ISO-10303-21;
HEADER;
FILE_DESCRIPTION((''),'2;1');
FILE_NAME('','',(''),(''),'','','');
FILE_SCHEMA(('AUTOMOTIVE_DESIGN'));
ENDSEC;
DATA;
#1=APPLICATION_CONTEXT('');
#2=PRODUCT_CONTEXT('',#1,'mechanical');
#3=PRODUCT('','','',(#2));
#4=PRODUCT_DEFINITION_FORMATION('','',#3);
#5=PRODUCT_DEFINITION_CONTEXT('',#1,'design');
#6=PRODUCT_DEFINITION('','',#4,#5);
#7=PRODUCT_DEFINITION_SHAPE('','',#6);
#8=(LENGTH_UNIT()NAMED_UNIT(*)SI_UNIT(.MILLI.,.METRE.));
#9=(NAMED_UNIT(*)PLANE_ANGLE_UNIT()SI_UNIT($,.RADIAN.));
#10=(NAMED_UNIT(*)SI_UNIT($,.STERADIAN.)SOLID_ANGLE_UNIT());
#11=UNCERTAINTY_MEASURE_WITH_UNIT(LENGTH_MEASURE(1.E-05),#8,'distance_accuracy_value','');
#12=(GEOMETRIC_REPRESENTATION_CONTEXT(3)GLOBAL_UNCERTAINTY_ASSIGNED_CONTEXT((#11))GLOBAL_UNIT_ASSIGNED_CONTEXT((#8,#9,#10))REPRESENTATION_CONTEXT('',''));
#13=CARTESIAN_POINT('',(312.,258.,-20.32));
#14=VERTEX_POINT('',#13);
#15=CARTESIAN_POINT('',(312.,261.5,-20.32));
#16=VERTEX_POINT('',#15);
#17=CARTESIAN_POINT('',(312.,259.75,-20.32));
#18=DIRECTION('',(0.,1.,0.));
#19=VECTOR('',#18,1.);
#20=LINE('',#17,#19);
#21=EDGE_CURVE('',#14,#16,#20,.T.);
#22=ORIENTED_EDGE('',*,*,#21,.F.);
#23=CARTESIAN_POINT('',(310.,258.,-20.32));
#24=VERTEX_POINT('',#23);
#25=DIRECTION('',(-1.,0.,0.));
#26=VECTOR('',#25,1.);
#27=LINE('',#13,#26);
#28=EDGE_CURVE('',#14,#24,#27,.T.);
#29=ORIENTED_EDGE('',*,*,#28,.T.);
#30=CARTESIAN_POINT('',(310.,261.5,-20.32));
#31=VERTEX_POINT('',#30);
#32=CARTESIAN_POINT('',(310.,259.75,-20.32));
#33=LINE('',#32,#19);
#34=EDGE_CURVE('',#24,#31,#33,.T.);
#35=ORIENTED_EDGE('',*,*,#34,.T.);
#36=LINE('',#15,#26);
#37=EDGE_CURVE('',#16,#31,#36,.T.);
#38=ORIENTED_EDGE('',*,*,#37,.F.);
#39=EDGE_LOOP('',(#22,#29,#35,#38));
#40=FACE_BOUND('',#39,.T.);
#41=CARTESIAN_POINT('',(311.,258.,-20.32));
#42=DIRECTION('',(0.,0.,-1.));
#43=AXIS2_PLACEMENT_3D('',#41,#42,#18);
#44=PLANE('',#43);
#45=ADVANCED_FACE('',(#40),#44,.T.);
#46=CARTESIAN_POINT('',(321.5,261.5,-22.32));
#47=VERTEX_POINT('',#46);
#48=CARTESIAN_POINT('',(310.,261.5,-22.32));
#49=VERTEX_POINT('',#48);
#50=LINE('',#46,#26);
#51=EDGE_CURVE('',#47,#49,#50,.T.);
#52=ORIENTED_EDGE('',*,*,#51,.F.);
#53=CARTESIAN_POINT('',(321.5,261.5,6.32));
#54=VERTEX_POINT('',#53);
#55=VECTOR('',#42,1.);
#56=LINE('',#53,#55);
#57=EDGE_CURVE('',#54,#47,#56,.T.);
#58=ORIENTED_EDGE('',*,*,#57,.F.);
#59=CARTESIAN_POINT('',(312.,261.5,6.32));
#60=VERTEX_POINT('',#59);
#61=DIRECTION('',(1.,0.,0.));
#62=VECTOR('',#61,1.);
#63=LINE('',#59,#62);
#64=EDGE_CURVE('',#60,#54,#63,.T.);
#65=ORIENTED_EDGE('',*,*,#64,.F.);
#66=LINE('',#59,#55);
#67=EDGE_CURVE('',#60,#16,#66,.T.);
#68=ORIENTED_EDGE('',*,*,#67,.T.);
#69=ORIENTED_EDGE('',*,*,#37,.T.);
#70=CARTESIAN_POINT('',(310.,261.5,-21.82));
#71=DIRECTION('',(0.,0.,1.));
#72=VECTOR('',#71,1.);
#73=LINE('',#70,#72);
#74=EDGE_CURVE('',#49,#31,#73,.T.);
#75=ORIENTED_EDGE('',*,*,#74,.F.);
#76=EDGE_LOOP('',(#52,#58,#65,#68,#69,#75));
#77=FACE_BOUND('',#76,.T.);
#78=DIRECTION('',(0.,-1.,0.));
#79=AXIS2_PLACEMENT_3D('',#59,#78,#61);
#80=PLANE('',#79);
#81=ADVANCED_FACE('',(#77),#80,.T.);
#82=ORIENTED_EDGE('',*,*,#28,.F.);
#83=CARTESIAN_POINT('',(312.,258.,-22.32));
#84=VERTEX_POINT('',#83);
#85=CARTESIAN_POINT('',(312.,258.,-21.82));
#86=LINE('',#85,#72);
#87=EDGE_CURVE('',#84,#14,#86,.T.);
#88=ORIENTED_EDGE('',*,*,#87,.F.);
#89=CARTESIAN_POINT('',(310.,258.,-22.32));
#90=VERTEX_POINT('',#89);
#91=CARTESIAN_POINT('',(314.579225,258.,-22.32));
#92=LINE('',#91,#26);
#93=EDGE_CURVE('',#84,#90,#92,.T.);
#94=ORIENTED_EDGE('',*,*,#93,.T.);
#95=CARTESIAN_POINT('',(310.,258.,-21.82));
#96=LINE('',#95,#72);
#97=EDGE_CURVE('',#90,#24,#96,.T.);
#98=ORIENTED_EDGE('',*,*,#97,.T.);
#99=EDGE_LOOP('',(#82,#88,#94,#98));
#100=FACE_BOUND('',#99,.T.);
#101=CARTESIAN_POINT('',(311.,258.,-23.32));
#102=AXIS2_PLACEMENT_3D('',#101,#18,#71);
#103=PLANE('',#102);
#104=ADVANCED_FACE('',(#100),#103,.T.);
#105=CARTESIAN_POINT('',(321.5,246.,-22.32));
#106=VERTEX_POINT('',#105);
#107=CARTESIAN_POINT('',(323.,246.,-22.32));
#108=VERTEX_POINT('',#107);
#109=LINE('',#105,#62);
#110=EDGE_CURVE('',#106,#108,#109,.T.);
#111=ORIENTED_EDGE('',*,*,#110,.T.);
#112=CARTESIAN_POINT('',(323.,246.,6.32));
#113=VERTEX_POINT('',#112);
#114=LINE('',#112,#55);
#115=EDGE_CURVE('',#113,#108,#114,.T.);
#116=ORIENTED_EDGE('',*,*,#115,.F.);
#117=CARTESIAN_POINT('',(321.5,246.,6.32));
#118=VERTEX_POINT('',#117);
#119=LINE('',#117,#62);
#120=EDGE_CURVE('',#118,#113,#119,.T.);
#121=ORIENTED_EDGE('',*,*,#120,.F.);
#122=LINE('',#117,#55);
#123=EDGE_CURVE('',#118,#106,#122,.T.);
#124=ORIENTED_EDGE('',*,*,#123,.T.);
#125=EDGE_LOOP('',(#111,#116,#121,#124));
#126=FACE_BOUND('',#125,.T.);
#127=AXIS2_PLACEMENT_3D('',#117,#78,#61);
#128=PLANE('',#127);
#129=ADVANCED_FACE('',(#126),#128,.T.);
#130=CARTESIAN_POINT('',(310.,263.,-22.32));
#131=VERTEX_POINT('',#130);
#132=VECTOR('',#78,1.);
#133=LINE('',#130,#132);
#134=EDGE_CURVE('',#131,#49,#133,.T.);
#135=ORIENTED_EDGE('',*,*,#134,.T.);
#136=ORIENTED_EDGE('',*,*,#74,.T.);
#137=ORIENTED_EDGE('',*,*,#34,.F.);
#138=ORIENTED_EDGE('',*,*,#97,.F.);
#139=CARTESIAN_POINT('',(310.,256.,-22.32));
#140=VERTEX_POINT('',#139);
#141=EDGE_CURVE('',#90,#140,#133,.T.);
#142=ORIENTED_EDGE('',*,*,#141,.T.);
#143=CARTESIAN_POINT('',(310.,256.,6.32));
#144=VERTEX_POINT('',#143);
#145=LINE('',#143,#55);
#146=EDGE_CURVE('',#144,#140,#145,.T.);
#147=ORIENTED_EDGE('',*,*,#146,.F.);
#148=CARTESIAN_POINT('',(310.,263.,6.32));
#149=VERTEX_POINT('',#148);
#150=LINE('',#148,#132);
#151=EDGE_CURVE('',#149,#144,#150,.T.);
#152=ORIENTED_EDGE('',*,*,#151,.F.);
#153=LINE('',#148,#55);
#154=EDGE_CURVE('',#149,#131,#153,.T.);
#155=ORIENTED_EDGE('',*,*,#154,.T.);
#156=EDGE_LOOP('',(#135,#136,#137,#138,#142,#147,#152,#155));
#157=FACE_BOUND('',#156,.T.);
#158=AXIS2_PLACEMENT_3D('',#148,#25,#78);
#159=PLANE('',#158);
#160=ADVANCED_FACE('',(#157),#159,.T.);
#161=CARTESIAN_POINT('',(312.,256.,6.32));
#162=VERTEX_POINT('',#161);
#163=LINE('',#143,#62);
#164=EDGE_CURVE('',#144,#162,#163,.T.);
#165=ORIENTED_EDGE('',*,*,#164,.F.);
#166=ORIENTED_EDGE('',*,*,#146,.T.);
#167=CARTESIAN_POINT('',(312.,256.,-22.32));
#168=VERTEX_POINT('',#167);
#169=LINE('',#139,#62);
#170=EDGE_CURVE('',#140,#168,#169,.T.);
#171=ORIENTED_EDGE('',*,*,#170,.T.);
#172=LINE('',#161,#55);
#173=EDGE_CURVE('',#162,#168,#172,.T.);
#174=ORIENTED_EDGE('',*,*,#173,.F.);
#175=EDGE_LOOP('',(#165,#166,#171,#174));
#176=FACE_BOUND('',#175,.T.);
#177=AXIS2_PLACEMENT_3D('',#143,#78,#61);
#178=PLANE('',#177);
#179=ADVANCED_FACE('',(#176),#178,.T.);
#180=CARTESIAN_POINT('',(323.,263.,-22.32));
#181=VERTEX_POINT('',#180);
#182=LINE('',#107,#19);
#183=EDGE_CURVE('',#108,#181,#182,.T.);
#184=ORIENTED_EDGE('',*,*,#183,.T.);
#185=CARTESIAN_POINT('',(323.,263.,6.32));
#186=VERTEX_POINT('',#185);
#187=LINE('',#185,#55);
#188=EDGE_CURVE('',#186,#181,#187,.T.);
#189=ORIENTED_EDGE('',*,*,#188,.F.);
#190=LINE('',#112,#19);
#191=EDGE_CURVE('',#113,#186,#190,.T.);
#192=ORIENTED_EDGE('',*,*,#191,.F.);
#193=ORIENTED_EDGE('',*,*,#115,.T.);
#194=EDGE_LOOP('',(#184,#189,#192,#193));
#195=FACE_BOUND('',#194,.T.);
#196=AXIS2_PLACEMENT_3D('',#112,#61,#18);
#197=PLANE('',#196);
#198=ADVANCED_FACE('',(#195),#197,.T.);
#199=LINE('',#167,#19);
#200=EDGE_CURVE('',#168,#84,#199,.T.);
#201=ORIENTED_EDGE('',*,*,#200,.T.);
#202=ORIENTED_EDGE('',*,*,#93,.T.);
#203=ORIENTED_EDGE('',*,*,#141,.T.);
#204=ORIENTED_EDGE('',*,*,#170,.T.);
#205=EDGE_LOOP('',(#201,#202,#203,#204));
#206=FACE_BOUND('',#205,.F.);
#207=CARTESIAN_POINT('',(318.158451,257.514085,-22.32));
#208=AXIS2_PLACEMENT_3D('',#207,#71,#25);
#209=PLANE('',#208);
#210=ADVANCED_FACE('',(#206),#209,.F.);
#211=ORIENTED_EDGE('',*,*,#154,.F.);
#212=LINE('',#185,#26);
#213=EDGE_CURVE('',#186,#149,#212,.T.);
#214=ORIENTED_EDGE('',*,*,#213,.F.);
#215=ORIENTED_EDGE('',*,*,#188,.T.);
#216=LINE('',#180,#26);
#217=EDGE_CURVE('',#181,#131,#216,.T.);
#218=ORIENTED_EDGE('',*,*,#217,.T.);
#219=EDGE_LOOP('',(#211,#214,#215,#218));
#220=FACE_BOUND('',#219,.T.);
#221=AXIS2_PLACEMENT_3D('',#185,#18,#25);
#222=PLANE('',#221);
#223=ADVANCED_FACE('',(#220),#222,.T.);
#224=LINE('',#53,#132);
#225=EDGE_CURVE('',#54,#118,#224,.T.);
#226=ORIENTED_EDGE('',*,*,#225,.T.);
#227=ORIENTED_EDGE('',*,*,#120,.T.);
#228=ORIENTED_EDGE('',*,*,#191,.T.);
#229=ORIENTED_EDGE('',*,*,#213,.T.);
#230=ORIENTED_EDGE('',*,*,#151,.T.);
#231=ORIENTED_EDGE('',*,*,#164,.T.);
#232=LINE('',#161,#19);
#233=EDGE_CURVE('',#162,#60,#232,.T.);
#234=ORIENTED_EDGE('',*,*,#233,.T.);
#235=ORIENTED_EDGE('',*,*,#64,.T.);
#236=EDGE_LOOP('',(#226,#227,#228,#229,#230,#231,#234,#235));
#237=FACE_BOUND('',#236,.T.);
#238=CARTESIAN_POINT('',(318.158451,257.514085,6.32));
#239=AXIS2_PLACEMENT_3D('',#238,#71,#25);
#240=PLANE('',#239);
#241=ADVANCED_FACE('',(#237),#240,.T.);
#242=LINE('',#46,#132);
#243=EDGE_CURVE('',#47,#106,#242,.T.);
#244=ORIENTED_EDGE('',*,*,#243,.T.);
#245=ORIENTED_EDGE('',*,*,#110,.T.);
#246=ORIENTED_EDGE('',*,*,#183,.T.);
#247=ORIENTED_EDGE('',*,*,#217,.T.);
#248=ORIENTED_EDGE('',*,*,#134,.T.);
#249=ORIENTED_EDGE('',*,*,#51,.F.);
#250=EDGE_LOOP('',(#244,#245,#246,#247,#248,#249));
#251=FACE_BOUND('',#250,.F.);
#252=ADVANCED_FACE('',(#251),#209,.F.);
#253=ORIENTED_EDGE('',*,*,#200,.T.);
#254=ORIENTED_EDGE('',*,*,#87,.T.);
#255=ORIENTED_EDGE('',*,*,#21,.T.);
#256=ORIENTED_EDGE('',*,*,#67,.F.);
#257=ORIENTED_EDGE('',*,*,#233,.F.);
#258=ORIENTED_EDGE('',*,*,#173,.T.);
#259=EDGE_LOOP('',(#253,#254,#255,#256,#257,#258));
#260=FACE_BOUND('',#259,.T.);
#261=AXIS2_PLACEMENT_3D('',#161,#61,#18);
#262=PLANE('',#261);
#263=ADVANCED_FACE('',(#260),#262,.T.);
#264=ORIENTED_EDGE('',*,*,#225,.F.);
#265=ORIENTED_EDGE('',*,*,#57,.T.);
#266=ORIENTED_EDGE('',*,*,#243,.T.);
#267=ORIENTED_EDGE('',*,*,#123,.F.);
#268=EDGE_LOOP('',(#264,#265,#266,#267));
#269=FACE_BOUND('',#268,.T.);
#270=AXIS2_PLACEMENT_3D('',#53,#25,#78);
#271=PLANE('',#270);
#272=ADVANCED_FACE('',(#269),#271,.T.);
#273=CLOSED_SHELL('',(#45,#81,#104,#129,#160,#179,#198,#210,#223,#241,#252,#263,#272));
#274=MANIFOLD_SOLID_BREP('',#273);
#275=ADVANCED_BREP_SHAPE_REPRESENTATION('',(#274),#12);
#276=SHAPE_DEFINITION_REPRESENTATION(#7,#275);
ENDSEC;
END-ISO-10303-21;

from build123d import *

# Parameters (mm, degrees)
SKETCH068_W      = 3.5
SKETCH068_H      = 3
EXTRUDE058_DEPTH = 1
EXTRUDE057_DEPTH = 28.64


with BuildPart() as extrude058:
    # Sketch068 → Extrude058 (new body, symmetric)
    with BuildSketch(Plane.YZ.offset(311)):
        with Locations((259.75, -21.82)):
            Rectangle(SKETCH068_W, SKETCH068_H)
    extrude(amount=EXTRUDE058_DEPTH, both=True)


with BuildPart() as cut005:
    # Sketch067 → Extrude057 (new body)
    with BuildSketch(Plane(origin=(0, 0, 6.32), x_dir=(1, 0, 0), z_dir=(0, 0, -1))):
        Polygon((321.5, -246), (323, -246), (323, -263), (310, -263), (310, -256), (312, -256), (312, -261.5), (321.5, -261.5), align=None)
    extrude(amount=EXTRUDE057_DEPTH)

    # Cut005: cut Extrude058
    add(extrude058.part, mode=Mode.SUBTRACT)


solid = cut005.part
